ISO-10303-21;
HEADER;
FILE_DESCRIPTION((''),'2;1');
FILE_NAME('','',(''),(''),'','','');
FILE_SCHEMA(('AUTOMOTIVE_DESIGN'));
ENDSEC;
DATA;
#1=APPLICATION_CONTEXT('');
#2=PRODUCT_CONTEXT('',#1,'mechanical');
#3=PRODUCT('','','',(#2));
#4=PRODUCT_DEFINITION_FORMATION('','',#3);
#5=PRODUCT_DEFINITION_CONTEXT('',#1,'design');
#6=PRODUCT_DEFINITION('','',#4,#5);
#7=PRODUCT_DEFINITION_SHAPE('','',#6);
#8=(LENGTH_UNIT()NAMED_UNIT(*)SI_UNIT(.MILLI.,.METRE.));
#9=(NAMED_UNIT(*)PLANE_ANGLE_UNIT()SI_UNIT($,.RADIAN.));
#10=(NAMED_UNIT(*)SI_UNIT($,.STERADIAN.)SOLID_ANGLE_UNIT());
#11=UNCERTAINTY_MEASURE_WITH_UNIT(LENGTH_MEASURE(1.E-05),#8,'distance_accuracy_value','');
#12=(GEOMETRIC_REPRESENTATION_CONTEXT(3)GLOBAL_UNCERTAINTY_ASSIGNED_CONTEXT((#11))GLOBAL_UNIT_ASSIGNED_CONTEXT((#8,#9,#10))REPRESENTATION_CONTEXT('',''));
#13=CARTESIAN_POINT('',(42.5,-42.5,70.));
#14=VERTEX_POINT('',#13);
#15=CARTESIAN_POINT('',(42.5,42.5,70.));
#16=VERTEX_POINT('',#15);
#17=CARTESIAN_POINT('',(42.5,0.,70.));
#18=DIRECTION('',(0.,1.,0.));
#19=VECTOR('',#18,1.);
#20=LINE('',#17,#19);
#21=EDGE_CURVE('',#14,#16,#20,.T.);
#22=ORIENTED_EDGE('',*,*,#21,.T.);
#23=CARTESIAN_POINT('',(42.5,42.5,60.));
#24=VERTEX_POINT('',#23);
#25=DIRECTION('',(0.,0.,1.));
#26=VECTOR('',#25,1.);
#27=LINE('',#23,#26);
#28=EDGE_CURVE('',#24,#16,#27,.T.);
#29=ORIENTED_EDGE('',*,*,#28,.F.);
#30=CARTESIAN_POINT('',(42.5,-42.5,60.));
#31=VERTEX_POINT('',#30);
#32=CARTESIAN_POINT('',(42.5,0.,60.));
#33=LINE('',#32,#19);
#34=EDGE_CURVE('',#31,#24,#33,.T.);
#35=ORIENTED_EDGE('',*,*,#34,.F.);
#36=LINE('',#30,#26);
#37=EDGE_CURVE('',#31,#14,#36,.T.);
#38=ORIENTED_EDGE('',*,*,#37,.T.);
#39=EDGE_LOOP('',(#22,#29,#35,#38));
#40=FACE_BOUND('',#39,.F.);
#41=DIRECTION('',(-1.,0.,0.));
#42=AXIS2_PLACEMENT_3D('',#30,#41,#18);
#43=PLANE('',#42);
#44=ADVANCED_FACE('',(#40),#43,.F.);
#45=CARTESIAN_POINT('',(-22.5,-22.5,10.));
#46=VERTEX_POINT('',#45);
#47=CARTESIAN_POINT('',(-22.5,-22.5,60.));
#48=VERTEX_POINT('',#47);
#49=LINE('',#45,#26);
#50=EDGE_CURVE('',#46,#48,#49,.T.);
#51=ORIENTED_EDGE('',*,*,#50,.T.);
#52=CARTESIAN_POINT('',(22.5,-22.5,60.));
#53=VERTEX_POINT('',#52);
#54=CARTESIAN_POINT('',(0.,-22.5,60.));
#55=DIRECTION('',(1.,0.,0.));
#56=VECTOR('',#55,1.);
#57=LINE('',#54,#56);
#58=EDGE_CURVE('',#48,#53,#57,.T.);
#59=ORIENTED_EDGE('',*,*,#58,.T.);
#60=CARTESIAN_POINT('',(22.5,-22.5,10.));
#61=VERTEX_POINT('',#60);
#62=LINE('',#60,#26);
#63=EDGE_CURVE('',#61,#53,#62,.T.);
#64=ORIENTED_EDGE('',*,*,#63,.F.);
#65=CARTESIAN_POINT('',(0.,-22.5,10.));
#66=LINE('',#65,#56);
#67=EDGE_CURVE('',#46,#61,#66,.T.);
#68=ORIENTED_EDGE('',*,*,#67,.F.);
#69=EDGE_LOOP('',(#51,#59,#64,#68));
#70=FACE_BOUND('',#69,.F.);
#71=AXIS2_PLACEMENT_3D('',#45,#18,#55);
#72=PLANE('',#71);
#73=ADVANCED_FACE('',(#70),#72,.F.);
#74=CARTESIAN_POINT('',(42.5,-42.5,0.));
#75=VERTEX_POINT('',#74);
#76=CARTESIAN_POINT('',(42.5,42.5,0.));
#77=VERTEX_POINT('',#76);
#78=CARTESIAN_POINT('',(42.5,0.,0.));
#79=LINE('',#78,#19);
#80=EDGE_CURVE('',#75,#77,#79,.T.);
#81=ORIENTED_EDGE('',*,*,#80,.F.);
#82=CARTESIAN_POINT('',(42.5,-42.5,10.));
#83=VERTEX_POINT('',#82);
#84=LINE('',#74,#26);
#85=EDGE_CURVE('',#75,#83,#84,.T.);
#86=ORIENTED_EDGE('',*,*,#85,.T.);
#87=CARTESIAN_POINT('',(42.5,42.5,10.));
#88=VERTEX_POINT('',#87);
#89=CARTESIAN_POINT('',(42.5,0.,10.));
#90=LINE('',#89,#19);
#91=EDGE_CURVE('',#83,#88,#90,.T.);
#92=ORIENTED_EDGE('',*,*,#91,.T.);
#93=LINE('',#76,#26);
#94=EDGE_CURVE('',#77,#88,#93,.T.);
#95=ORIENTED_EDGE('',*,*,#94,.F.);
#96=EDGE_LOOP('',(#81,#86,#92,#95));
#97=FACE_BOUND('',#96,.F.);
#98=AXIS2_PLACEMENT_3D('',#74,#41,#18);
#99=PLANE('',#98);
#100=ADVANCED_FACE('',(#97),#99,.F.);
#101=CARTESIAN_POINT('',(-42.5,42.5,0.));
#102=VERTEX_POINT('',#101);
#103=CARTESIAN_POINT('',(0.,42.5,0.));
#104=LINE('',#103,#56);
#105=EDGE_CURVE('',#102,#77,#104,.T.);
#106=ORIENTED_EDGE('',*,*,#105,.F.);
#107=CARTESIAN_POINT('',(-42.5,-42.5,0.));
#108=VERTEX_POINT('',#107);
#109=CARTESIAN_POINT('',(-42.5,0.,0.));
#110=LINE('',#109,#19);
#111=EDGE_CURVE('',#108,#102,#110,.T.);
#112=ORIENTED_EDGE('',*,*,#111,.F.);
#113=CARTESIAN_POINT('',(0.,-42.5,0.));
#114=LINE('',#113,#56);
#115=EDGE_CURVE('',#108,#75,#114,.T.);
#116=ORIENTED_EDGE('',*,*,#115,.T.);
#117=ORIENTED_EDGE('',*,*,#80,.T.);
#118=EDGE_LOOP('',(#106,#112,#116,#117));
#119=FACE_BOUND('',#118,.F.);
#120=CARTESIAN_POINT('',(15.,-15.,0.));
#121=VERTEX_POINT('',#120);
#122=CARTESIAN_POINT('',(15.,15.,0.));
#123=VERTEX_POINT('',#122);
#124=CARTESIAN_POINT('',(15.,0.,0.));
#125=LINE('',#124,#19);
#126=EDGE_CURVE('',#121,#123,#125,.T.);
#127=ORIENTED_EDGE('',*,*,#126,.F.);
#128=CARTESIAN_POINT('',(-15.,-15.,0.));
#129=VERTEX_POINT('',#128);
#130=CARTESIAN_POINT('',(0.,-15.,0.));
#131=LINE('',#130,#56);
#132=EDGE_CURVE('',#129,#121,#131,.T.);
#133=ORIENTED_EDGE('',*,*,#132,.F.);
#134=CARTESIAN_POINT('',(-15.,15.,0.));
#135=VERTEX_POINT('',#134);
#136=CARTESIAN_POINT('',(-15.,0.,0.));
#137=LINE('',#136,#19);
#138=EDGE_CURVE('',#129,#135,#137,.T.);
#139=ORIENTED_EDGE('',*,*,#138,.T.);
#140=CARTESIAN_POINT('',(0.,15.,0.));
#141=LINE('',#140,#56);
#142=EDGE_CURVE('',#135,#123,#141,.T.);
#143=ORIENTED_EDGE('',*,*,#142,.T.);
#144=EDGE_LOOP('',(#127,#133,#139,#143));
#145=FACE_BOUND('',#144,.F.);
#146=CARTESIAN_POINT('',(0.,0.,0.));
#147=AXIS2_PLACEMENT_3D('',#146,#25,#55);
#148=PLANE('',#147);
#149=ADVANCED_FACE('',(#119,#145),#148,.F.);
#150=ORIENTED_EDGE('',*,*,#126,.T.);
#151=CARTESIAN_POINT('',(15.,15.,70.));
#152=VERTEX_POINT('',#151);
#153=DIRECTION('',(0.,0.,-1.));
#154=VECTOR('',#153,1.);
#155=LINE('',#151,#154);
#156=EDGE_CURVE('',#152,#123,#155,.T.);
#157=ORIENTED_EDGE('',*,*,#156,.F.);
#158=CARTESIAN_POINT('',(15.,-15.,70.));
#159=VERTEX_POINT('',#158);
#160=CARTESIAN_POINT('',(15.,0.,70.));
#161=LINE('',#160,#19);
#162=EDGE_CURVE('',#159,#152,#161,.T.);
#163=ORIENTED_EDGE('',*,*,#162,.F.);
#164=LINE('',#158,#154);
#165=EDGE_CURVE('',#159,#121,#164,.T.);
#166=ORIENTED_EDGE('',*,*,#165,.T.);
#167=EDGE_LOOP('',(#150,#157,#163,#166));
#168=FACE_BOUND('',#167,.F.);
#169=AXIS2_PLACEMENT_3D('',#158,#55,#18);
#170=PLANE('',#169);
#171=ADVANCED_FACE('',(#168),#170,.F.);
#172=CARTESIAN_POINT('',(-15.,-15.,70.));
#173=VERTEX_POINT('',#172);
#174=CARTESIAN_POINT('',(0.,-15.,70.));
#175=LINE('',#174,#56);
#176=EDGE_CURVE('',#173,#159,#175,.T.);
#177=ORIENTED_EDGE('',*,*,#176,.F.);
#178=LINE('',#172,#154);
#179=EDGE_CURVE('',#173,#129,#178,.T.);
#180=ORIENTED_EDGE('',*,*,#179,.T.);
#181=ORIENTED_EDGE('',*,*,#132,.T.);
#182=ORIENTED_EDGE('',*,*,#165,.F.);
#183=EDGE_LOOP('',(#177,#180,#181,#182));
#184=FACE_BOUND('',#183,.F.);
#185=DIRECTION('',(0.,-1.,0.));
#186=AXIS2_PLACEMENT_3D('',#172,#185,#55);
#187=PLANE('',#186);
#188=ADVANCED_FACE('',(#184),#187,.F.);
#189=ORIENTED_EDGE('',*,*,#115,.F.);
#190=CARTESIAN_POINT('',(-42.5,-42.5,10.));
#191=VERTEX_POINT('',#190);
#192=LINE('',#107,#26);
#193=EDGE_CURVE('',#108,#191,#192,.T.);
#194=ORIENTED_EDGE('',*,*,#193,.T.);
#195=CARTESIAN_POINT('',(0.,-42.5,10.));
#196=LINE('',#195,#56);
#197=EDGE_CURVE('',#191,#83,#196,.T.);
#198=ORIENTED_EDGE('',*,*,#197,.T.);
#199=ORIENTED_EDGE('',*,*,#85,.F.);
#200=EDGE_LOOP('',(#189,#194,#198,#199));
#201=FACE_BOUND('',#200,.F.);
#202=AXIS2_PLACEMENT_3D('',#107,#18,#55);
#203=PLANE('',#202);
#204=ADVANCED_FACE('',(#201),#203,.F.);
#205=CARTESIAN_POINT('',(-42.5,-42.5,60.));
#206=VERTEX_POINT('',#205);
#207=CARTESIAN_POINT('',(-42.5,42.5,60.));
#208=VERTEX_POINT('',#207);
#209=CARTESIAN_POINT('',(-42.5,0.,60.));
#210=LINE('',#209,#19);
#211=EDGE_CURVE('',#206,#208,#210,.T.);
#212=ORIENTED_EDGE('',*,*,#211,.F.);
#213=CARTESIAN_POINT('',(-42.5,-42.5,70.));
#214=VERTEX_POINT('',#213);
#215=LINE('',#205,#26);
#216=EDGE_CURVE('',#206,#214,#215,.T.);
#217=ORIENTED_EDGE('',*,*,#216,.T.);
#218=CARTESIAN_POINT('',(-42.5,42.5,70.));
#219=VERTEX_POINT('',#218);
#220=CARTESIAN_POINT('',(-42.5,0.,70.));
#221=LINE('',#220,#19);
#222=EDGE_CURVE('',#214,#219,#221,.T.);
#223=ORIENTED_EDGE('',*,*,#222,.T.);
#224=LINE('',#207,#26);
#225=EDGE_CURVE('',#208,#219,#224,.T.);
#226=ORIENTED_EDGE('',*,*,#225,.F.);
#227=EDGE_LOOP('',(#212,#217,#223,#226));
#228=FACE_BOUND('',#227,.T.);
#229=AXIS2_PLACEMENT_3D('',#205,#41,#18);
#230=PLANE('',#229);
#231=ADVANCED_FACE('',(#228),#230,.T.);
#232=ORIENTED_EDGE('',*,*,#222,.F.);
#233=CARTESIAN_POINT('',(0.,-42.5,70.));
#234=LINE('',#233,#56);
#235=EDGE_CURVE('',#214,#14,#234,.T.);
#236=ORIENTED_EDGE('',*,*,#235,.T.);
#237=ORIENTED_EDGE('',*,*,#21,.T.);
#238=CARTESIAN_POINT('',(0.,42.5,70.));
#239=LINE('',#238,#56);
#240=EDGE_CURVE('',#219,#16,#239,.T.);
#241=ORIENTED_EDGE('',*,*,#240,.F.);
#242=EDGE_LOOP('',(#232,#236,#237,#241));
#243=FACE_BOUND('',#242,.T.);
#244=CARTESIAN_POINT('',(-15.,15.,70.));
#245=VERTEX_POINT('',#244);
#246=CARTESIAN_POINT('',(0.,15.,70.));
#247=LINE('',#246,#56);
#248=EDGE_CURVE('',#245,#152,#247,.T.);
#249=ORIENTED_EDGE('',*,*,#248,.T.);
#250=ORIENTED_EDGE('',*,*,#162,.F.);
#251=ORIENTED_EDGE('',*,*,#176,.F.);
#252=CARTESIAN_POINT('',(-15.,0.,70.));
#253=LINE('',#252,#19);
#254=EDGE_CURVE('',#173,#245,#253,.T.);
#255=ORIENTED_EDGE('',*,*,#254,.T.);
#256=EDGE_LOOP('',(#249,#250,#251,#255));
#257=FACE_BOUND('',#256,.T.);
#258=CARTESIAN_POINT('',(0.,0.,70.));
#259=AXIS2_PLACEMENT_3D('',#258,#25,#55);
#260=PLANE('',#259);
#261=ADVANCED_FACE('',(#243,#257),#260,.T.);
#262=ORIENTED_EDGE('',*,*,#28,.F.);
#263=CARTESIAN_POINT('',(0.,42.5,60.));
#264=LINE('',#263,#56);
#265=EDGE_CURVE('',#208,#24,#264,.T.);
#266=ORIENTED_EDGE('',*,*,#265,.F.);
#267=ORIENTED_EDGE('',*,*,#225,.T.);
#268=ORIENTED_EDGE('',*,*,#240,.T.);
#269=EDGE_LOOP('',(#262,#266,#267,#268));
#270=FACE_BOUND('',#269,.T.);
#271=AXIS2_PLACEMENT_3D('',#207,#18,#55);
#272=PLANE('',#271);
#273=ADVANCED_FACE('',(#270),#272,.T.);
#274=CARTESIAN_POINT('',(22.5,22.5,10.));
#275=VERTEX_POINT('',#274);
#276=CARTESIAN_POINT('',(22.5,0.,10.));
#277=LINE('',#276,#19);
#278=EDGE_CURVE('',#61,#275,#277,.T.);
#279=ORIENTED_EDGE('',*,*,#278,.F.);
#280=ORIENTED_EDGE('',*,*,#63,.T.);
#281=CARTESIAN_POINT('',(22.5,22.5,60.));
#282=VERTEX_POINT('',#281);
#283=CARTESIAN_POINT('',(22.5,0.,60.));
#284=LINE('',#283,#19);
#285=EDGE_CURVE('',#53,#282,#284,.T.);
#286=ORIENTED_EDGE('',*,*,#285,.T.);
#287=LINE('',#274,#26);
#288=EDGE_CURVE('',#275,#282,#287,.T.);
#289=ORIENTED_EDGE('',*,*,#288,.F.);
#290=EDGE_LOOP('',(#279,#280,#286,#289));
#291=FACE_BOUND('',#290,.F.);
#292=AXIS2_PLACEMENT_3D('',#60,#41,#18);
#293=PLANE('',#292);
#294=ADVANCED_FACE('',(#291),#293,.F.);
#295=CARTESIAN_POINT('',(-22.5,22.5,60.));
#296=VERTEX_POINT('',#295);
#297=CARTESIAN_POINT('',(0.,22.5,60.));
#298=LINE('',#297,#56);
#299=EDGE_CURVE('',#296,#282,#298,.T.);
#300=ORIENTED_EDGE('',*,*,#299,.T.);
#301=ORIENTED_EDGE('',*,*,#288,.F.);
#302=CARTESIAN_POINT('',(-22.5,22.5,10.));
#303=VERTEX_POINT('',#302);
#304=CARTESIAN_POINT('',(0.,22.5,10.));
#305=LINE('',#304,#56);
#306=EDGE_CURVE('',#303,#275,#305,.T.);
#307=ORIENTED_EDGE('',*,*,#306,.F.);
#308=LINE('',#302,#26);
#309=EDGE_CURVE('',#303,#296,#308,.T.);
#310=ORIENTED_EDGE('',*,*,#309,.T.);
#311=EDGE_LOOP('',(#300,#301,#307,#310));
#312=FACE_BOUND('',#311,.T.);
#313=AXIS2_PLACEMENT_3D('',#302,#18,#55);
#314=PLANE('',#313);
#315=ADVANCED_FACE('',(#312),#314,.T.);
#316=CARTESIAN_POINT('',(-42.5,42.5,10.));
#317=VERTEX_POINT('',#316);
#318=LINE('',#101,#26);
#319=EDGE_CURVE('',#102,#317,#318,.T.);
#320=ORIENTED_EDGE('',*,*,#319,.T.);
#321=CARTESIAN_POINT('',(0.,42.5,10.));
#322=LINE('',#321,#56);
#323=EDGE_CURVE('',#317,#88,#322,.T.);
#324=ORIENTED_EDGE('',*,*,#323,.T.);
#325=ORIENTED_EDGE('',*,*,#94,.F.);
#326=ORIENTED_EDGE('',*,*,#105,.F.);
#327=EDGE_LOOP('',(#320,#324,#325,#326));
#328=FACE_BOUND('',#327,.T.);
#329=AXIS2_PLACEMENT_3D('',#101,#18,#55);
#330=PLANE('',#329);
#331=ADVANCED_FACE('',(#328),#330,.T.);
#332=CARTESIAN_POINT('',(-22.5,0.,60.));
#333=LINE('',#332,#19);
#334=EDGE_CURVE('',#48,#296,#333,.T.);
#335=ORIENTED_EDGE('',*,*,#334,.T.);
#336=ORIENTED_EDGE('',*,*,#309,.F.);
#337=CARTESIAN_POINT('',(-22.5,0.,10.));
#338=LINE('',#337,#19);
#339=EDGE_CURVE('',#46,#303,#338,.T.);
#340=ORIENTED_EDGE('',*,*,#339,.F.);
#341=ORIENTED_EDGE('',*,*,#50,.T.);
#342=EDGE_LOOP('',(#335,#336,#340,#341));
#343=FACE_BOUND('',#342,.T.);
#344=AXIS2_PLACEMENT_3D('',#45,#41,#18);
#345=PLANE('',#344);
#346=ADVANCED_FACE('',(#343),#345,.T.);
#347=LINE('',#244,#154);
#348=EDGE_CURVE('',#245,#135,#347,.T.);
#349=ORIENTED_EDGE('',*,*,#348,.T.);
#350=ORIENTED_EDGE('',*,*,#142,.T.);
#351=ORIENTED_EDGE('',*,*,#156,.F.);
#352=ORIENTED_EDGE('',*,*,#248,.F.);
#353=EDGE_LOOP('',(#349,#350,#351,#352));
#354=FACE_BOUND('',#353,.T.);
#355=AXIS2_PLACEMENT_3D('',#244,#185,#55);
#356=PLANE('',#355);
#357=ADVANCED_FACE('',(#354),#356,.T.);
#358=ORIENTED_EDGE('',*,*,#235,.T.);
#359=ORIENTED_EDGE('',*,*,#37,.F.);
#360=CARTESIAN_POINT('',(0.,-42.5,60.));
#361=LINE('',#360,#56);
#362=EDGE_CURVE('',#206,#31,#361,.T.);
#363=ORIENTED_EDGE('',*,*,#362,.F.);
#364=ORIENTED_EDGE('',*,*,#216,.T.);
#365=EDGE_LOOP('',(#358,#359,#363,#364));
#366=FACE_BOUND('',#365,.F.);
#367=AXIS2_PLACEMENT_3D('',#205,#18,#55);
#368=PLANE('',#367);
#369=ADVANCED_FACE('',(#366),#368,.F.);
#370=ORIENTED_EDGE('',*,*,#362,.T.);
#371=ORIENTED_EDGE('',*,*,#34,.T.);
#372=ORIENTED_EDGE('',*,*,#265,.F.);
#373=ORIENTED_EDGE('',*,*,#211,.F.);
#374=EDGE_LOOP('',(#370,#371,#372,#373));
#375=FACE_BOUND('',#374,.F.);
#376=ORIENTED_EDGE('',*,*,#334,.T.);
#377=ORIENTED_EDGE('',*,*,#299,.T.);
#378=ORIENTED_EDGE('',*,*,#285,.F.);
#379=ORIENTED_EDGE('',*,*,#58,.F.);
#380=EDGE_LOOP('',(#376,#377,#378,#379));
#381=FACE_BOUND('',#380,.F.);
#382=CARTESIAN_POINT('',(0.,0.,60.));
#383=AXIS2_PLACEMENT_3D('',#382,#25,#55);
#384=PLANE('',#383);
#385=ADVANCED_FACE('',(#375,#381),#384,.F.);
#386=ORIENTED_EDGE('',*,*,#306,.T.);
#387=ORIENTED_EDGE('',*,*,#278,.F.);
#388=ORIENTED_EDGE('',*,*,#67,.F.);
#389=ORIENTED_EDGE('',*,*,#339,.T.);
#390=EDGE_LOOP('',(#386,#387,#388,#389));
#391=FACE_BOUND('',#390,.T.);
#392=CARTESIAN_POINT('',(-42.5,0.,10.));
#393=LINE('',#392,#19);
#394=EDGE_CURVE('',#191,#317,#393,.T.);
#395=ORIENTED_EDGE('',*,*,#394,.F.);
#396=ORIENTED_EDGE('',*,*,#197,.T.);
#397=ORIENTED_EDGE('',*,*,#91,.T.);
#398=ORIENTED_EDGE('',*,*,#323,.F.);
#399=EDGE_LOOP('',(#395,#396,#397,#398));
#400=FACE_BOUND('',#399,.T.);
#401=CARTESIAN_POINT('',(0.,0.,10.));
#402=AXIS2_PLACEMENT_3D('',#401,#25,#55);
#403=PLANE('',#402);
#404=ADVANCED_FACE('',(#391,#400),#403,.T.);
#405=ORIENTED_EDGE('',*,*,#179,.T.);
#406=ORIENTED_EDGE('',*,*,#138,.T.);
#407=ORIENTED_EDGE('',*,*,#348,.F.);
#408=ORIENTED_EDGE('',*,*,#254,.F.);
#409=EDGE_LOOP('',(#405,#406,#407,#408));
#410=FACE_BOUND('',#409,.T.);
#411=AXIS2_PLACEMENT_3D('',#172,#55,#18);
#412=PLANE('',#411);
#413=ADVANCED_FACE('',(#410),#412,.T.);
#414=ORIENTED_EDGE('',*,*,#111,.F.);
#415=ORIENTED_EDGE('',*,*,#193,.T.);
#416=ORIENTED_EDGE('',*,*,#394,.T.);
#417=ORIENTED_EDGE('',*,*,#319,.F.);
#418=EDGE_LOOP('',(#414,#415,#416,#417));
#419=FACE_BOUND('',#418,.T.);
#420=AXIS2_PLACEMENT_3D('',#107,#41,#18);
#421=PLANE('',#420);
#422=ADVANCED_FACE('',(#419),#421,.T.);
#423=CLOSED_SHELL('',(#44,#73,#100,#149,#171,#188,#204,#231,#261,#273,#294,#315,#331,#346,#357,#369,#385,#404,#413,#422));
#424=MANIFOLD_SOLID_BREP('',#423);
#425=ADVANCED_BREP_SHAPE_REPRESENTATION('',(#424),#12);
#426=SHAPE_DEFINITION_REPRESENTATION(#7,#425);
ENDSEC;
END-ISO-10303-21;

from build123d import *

# Parameters (mm, degrees)
F0_W     = 85
F0_H     = 85
F1_DEPTH = 10
F2_W     = 45
F2_H     = 45
F3_DEPTH = 50
F4_W     = 85
F4_H     = 85
F5_DEPTH = 10
F6_W     = 30
F6_H     = 30
F7_DEPTH = 70


with BuildPart() as f1:
    # F0 (on Top) → F1 (new body)
    with BuildSketch(Plane.XY):
        Rectangle(F0_W, F0_H)
    extrude(amount=F1_DEPTH)

    # F2 (on face) → F3 (join)
    with BuildSketch(Plane.XY.offset(10)):
        Rectangle(F2_W, F2_H)
    extrude(amount=F3_DEPTH)

    # F4 (on face) → F5 (join)
    with BuildSketch(Plane.XY.offset(60)):
        Rectangle(F4_W, F4_H)
    extrude(amount=F5_DEPTH)

    # F6 (on face) → F7 (cut)
    with BuildSketch(Plane.XY.offset(70)):
        Rectangle(F6_W, F6_H)
    extrude(amount=-F7_DEPTH, mode=Mode.SUBTRACT)


solid = f1.part
